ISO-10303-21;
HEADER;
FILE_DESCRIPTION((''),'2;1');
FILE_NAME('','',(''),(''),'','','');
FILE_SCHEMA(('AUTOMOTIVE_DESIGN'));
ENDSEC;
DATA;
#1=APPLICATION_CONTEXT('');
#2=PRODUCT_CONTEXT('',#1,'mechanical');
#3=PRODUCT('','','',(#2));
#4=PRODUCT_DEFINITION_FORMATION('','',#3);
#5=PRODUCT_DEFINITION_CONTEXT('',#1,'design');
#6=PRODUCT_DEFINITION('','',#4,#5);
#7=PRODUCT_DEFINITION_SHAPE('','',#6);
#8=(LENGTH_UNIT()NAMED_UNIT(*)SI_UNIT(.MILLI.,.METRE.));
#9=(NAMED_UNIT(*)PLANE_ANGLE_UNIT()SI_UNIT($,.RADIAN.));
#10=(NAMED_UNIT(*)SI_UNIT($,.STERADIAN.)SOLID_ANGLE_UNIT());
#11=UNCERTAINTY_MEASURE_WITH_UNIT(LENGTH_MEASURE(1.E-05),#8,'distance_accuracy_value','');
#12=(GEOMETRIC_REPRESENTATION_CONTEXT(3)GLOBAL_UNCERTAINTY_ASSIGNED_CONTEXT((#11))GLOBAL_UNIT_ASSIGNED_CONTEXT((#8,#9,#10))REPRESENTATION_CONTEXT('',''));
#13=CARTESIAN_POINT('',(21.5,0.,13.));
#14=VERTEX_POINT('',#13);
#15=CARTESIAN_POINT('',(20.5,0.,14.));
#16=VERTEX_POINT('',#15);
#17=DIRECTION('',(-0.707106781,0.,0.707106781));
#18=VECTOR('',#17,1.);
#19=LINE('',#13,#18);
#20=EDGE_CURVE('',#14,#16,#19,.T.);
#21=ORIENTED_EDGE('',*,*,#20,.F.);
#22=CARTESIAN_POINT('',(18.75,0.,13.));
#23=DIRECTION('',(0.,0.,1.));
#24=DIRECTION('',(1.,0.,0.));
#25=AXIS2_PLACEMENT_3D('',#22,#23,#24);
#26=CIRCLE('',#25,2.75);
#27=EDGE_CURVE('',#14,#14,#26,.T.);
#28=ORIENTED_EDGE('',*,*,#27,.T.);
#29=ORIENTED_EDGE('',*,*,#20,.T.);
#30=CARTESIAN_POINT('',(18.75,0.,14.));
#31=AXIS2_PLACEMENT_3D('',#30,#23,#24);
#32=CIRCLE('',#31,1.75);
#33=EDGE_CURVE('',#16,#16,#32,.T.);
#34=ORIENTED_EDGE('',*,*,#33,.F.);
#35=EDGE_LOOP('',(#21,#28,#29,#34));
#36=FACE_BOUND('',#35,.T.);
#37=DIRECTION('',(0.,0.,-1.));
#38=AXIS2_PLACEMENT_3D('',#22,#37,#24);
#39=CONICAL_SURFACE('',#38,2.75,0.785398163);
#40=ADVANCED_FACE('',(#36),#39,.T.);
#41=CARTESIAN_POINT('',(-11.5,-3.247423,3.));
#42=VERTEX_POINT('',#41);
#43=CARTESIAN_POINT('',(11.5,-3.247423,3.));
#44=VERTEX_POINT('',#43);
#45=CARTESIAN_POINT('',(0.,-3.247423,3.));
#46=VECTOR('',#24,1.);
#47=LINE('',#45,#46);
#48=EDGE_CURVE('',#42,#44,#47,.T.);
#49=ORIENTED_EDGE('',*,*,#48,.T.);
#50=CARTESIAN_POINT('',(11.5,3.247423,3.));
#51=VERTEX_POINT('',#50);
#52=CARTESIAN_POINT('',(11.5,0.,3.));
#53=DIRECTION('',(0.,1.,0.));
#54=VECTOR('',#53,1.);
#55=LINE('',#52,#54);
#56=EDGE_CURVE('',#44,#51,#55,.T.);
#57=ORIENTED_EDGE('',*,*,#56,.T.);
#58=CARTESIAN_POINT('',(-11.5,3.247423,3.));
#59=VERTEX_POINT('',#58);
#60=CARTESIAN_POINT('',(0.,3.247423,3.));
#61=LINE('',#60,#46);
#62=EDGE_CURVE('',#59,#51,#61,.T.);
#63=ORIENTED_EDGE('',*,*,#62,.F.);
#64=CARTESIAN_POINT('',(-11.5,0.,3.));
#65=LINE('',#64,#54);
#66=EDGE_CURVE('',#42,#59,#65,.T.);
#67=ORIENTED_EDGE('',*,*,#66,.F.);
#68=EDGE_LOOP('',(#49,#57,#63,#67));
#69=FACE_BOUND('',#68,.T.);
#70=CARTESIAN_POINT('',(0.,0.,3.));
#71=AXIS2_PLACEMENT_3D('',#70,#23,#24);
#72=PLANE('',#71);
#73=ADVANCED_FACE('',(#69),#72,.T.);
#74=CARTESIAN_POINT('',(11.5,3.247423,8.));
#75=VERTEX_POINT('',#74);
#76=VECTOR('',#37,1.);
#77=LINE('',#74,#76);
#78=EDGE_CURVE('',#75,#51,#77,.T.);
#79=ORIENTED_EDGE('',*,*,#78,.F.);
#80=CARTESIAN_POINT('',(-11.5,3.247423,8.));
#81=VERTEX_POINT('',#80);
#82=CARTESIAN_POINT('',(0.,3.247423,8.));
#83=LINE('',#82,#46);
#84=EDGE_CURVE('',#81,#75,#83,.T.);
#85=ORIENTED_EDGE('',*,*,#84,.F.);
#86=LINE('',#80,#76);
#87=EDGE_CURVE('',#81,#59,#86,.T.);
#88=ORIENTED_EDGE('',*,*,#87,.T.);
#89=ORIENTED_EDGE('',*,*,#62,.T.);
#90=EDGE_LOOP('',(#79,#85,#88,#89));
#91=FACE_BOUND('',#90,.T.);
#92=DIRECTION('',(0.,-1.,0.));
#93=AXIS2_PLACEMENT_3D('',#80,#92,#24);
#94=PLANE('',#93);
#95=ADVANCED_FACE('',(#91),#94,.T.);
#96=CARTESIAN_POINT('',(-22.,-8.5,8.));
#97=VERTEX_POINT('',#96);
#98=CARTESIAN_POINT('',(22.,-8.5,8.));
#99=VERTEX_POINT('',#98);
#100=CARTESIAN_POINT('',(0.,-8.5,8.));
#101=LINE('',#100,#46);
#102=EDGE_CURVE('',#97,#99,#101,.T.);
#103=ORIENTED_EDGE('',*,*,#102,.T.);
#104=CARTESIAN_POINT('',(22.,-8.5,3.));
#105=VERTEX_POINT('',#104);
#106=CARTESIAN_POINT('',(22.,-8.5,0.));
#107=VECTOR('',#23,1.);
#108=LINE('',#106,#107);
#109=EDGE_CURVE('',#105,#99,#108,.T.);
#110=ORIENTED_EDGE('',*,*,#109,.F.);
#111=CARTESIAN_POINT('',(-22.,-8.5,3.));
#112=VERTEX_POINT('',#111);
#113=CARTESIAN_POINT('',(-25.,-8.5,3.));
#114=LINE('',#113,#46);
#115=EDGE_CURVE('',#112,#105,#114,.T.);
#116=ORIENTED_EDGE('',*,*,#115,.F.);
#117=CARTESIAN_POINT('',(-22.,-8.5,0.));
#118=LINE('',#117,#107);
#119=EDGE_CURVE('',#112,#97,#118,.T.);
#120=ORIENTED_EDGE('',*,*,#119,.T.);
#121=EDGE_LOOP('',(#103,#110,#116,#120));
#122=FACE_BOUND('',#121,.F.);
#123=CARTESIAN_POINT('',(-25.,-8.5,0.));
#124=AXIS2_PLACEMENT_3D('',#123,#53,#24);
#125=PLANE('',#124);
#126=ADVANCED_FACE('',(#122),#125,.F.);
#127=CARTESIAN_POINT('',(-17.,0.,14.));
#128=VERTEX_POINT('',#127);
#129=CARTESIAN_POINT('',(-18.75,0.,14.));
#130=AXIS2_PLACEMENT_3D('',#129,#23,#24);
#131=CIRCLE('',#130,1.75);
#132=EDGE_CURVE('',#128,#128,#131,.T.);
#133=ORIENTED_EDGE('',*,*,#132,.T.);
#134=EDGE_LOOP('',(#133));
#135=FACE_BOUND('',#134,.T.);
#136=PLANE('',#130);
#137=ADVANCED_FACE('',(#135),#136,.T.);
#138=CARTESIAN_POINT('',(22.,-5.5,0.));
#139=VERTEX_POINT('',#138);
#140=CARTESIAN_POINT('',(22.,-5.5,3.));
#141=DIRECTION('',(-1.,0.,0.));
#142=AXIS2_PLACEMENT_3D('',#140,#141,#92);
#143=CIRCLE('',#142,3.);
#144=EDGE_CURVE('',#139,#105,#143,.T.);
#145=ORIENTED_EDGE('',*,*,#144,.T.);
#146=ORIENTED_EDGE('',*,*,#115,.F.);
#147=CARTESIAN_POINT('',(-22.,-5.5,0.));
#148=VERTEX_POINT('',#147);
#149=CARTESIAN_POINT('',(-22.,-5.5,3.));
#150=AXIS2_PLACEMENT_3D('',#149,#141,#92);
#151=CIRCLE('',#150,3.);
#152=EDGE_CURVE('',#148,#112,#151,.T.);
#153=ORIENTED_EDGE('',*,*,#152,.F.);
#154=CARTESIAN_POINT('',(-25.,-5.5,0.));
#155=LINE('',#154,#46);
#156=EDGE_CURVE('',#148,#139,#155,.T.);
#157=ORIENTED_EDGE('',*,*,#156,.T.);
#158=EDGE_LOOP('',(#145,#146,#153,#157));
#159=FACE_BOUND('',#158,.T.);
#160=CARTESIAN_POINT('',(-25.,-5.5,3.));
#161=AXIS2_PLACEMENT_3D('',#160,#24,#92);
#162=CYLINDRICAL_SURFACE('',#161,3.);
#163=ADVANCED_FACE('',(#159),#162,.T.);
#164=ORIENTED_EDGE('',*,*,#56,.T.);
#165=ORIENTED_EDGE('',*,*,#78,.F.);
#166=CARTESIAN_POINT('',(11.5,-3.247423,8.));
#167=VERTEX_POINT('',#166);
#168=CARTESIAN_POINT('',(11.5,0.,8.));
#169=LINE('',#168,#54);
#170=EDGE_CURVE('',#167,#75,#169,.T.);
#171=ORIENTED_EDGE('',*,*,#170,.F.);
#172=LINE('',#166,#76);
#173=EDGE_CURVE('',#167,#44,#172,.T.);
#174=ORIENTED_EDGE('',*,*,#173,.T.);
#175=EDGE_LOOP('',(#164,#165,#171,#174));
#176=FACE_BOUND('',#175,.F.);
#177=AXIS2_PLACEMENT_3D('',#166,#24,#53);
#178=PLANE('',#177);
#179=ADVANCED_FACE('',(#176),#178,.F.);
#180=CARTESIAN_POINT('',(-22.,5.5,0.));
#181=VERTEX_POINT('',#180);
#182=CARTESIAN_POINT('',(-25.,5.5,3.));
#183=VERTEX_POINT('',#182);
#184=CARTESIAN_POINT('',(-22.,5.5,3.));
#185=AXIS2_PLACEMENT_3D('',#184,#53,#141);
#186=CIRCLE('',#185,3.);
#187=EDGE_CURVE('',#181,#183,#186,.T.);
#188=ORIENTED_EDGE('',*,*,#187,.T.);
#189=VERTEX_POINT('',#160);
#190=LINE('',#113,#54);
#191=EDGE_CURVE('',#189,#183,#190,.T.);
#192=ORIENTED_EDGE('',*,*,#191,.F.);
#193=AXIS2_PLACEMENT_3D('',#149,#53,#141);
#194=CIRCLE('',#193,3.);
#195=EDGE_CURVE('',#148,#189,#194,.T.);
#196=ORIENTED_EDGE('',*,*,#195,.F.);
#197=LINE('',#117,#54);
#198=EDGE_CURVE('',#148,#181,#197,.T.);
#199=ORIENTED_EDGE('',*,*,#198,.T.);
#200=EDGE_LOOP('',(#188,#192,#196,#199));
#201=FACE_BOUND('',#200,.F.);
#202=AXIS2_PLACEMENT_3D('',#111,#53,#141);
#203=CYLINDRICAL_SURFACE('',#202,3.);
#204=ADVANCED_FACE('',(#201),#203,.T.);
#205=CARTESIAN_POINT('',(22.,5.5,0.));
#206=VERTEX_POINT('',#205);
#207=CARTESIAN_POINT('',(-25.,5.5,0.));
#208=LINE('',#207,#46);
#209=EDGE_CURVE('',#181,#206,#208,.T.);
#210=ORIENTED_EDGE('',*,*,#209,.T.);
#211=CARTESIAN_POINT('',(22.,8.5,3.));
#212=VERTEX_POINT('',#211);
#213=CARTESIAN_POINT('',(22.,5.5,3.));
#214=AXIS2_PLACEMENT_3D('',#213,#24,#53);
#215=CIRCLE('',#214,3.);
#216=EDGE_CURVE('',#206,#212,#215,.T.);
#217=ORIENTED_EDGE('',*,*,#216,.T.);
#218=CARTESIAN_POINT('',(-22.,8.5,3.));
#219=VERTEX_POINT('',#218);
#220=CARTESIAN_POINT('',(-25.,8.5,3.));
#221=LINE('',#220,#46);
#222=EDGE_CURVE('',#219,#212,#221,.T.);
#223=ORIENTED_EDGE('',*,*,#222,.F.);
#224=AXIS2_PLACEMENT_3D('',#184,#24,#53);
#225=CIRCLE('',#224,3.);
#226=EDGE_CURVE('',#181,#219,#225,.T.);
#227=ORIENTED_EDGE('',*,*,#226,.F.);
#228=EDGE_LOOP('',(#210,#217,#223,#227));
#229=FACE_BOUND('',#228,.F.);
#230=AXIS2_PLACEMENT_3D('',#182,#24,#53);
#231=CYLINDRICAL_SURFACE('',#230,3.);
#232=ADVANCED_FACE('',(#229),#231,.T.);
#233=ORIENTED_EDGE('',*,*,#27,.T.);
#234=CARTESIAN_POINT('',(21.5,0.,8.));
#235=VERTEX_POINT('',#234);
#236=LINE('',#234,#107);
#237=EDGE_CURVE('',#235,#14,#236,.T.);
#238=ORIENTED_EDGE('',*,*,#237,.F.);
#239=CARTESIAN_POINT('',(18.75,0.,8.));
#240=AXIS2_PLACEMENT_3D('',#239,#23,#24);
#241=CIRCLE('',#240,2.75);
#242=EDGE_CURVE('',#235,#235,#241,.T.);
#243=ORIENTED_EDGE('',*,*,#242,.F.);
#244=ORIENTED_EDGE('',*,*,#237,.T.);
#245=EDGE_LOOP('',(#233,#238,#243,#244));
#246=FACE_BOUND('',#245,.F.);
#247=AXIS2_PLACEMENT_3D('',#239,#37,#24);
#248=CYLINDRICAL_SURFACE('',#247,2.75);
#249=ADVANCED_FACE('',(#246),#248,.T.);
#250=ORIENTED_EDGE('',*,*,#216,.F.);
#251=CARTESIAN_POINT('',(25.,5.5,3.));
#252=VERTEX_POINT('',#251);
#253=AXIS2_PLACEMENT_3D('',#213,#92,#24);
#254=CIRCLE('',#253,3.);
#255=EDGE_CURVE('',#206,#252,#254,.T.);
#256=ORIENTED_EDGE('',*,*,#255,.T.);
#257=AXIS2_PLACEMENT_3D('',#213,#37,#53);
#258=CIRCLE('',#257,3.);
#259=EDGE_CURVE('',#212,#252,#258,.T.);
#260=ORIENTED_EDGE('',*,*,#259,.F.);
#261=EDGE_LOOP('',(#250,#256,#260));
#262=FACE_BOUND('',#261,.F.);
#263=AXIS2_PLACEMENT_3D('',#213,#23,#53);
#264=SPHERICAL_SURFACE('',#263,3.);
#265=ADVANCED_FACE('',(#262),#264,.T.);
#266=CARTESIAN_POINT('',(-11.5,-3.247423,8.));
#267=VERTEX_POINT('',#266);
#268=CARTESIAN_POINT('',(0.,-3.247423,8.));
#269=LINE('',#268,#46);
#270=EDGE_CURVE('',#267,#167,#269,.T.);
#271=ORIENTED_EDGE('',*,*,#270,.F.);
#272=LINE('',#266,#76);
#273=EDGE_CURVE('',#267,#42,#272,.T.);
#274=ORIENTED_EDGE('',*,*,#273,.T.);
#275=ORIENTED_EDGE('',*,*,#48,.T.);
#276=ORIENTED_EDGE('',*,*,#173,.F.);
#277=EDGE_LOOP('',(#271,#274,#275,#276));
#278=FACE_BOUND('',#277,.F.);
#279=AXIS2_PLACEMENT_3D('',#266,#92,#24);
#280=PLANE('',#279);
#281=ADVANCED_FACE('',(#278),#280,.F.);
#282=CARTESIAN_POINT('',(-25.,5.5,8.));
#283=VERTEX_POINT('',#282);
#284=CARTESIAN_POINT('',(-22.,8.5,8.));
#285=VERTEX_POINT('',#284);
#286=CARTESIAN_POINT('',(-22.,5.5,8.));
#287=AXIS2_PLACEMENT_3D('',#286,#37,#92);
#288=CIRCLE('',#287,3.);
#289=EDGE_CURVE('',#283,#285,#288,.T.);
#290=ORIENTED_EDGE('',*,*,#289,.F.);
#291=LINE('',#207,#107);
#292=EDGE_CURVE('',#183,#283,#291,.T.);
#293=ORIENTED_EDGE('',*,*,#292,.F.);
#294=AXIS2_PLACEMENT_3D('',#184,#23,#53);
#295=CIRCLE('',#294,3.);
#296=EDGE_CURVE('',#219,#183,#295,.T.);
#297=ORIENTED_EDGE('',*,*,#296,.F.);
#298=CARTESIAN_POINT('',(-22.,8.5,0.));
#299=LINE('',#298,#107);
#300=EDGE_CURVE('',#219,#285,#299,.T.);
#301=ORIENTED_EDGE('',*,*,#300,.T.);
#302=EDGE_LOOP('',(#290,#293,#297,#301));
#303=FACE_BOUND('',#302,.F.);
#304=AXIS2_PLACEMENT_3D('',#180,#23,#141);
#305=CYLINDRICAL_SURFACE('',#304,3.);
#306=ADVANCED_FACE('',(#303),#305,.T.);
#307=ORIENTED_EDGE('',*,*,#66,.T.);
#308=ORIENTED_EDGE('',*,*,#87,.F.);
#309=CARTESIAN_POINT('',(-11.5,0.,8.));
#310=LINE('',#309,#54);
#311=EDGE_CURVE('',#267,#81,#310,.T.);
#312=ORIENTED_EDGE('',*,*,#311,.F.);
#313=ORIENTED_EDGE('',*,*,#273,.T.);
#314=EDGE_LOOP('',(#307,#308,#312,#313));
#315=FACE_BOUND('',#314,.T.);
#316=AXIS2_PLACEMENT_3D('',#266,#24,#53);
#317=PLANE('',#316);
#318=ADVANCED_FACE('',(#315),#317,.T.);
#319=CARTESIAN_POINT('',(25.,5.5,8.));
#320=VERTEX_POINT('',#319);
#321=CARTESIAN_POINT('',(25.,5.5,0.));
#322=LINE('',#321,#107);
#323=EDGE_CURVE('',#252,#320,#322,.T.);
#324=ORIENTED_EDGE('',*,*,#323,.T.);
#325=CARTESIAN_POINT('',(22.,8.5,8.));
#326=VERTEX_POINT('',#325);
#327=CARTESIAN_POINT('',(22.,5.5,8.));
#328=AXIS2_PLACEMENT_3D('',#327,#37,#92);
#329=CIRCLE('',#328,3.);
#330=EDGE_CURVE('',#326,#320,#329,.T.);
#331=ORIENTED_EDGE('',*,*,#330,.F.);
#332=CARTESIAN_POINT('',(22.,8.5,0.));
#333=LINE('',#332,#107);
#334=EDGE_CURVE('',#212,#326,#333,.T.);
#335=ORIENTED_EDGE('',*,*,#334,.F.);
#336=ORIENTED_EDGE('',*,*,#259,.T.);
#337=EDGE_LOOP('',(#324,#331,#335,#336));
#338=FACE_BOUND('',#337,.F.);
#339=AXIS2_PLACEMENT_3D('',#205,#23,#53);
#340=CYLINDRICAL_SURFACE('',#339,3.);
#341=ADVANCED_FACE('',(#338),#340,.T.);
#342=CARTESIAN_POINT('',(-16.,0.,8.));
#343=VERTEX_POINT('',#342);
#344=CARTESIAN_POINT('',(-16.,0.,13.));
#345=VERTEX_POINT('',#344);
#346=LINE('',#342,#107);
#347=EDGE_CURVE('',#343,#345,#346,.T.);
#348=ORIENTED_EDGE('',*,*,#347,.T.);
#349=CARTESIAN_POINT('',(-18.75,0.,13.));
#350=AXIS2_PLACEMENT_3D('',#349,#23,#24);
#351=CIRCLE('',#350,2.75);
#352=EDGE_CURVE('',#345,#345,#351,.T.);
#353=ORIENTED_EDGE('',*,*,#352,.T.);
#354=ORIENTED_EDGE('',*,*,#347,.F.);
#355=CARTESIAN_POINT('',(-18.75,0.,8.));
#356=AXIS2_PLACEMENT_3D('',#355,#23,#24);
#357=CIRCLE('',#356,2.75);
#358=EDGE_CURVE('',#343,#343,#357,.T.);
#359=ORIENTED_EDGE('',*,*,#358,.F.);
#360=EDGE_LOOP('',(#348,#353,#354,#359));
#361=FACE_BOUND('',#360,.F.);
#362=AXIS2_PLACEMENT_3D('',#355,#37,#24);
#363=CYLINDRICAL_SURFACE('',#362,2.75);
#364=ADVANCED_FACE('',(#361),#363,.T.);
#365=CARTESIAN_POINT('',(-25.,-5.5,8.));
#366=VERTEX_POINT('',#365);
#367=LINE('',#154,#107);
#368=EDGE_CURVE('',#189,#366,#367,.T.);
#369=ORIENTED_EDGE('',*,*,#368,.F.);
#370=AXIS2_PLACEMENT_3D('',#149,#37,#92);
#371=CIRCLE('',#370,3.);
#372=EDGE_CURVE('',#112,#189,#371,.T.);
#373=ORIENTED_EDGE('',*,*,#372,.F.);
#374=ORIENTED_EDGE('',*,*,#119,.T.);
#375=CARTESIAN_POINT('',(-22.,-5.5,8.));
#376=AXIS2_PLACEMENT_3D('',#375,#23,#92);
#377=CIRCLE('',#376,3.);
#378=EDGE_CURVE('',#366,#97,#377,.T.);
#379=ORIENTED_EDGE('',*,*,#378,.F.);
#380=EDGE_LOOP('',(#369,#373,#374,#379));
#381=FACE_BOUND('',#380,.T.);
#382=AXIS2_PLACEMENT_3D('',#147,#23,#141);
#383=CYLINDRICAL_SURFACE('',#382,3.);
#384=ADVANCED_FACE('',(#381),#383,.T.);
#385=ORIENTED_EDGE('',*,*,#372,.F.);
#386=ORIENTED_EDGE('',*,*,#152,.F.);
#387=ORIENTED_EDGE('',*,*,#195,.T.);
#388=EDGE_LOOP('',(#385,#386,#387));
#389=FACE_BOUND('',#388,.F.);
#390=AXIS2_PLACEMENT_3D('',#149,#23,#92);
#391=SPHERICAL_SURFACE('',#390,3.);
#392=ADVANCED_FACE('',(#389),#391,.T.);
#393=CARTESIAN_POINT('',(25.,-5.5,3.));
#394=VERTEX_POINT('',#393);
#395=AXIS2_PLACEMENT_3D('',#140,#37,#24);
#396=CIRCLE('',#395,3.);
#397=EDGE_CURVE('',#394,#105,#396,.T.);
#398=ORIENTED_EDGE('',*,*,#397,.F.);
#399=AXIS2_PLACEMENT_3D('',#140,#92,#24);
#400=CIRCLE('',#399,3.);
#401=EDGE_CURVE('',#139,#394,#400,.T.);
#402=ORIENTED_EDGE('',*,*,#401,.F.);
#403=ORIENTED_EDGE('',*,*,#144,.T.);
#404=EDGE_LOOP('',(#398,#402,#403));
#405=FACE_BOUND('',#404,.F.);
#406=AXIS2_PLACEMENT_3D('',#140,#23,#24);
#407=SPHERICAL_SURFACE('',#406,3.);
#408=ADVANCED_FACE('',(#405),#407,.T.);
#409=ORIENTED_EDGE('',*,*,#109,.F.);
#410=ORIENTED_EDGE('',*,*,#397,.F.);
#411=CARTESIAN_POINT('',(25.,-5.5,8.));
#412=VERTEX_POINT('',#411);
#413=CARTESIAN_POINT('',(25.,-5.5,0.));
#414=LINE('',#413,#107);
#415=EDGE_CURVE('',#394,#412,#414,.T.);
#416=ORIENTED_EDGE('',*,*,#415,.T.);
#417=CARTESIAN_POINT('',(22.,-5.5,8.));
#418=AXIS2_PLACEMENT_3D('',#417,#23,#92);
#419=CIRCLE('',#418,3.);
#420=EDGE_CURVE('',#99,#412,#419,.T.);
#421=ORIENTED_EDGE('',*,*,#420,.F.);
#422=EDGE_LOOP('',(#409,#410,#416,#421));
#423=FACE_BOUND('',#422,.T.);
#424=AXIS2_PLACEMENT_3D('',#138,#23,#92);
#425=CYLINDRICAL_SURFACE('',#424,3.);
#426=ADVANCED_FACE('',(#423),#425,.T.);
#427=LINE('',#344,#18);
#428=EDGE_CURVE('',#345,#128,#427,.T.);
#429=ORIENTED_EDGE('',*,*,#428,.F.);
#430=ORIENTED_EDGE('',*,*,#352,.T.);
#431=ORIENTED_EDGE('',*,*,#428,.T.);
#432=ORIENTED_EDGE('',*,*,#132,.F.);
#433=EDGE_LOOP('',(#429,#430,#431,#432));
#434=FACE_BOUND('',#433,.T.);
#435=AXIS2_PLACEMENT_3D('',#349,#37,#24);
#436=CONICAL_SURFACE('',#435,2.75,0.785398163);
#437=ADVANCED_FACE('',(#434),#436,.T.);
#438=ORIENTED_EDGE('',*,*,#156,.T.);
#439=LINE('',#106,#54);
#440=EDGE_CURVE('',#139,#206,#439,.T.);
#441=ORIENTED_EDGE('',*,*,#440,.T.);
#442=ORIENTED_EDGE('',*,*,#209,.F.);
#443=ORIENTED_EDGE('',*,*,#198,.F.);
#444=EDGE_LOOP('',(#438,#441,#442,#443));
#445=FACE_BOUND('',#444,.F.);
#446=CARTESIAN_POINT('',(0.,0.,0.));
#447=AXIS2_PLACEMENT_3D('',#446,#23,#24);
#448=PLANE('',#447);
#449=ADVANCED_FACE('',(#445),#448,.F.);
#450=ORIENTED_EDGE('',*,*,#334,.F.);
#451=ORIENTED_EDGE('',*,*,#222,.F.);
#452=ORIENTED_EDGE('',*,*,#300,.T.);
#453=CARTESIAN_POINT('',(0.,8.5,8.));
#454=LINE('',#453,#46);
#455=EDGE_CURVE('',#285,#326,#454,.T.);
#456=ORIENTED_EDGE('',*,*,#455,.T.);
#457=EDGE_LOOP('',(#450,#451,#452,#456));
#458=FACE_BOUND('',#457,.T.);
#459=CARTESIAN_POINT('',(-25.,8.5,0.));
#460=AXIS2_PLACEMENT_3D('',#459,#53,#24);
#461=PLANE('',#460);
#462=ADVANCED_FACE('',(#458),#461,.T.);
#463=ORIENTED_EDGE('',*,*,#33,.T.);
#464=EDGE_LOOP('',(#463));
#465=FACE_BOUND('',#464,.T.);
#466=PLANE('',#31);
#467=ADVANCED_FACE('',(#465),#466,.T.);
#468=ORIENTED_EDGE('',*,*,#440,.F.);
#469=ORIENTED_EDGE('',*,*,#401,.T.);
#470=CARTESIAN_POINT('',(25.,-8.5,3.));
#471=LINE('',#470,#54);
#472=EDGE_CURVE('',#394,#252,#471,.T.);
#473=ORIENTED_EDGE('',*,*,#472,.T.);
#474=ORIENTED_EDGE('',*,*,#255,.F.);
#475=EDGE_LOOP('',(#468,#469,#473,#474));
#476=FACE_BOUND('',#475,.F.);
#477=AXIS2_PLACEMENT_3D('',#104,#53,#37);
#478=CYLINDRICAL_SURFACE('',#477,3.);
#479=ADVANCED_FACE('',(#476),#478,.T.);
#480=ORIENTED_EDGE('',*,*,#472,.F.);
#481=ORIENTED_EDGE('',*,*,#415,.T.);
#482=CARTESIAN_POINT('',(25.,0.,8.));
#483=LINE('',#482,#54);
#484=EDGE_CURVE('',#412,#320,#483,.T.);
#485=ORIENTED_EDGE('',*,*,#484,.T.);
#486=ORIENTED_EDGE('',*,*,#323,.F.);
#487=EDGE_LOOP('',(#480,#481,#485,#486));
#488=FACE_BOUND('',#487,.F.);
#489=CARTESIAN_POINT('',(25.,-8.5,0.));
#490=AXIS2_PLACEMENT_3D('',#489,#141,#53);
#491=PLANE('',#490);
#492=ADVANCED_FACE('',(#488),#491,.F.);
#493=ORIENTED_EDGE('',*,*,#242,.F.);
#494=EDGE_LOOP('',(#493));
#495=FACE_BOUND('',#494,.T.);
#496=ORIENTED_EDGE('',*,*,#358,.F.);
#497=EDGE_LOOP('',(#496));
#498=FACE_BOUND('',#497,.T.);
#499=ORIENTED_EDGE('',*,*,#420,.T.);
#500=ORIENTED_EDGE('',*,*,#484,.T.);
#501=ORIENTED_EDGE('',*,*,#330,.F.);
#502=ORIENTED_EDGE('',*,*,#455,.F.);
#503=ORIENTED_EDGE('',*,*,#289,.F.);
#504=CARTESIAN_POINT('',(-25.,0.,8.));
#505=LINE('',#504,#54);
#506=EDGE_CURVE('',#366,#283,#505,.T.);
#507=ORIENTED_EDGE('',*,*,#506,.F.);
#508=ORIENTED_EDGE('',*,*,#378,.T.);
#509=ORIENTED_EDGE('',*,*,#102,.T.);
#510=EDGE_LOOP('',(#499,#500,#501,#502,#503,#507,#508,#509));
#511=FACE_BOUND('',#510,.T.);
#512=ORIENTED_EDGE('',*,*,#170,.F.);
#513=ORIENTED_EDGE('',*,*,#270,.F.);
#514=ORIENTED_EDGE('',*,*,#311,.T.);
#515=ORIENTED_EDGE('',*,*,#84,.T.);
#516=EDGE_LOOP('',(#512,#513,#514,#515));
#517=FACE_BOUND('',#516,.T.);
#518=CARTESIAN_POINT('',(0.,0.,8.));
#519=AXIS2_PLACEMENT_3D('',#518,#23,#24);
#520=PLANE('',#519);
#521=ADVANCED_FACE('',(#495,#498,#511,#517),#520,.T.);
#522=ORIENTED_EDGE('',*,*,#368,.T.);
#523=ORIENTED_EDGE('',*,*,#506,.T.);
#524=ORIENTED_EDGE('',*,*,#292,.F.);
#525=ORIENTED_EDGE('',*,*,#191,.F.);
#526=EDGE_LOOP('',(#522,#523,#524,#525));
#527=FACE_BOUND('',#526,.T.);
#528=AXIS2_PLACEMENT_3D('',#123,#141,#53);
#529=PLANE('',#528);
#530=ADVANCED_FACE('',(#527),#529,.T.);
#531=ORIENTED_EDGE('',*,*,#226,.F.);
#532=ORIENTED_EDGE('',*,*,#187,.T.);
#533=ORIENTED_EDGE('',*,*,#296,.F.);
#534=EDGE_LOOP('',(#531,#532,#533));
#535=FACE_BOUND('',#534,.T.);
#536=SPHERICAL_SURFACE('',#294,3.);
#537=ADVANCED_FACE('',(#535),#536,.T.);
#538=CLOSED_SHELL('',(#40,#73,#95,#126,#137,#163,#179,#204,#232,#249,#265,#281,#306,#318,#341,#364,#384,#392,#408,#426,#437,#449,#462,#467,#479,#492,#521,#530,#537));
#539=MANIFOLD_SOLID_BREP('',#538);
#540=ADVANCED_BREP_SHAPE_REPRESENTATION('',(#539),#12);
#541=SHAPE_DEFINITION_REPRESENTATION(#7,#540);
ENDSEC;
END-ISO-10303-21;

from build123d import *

# Parameters (mm, degrees)
F0_W     = 50
F0_H     = 17
F1_DEPTH = 8
F2_R     = 2.75
F3_DEPTH = 6
F2_W     = 23
F2_H     = 6.494846
F4_DEPTH = 5
F5_R     = 3
F6_SIZE  = 1


with BuildPart() as f1:
    # F0 (on Top) → F1 (new body)
    with BuildSketch(Plane.XY):
        Rectangle(F0_W, F0_H)
    extrude(amount=F1_DEPTH)

    # F2 (on face) → F3 (join)
    with BuildSketch(Plane.XY.offset(8)):
        with Locations((-18.75, 0)):
            Circle(F2_R)
        with Locations((18.75, 0)):
            Circle(F2_R)
    extrude(amount=F3_DEPTH)

    # F2 (on face) → F4 (cut)
    with BuildSketch(Plane.XY.offset(8)):
        Rectangle(F2_W, F2_H)
    extrude(amount=-F4_DEPTH, mode=Mode.SUBTRACT)

    # F5
    f5_edges = [f1.edges().sort_by_distance(p)[0] for p in [
        (-25, -8.5, 4),
        (25, -8.5, 4),
        (-25, 8.5, 4),
        (25, 8.5, 4),
        (0, 8.5, 0),
        (25, 0, 0),
        (0, -8.5, 0),
        (-25, 0, 0),
    ]]
    fillet(f5_edges, radius=F5_R)

    # F6
    f6_edges = [f1.edges().sort_by_distance(p)[0] for p in [
        (-21.5, 0, 14),
        (16, 0, 14),
    ]]
    chamfer(f6_edges, length=F6_SIZE)


solid = f1.part
